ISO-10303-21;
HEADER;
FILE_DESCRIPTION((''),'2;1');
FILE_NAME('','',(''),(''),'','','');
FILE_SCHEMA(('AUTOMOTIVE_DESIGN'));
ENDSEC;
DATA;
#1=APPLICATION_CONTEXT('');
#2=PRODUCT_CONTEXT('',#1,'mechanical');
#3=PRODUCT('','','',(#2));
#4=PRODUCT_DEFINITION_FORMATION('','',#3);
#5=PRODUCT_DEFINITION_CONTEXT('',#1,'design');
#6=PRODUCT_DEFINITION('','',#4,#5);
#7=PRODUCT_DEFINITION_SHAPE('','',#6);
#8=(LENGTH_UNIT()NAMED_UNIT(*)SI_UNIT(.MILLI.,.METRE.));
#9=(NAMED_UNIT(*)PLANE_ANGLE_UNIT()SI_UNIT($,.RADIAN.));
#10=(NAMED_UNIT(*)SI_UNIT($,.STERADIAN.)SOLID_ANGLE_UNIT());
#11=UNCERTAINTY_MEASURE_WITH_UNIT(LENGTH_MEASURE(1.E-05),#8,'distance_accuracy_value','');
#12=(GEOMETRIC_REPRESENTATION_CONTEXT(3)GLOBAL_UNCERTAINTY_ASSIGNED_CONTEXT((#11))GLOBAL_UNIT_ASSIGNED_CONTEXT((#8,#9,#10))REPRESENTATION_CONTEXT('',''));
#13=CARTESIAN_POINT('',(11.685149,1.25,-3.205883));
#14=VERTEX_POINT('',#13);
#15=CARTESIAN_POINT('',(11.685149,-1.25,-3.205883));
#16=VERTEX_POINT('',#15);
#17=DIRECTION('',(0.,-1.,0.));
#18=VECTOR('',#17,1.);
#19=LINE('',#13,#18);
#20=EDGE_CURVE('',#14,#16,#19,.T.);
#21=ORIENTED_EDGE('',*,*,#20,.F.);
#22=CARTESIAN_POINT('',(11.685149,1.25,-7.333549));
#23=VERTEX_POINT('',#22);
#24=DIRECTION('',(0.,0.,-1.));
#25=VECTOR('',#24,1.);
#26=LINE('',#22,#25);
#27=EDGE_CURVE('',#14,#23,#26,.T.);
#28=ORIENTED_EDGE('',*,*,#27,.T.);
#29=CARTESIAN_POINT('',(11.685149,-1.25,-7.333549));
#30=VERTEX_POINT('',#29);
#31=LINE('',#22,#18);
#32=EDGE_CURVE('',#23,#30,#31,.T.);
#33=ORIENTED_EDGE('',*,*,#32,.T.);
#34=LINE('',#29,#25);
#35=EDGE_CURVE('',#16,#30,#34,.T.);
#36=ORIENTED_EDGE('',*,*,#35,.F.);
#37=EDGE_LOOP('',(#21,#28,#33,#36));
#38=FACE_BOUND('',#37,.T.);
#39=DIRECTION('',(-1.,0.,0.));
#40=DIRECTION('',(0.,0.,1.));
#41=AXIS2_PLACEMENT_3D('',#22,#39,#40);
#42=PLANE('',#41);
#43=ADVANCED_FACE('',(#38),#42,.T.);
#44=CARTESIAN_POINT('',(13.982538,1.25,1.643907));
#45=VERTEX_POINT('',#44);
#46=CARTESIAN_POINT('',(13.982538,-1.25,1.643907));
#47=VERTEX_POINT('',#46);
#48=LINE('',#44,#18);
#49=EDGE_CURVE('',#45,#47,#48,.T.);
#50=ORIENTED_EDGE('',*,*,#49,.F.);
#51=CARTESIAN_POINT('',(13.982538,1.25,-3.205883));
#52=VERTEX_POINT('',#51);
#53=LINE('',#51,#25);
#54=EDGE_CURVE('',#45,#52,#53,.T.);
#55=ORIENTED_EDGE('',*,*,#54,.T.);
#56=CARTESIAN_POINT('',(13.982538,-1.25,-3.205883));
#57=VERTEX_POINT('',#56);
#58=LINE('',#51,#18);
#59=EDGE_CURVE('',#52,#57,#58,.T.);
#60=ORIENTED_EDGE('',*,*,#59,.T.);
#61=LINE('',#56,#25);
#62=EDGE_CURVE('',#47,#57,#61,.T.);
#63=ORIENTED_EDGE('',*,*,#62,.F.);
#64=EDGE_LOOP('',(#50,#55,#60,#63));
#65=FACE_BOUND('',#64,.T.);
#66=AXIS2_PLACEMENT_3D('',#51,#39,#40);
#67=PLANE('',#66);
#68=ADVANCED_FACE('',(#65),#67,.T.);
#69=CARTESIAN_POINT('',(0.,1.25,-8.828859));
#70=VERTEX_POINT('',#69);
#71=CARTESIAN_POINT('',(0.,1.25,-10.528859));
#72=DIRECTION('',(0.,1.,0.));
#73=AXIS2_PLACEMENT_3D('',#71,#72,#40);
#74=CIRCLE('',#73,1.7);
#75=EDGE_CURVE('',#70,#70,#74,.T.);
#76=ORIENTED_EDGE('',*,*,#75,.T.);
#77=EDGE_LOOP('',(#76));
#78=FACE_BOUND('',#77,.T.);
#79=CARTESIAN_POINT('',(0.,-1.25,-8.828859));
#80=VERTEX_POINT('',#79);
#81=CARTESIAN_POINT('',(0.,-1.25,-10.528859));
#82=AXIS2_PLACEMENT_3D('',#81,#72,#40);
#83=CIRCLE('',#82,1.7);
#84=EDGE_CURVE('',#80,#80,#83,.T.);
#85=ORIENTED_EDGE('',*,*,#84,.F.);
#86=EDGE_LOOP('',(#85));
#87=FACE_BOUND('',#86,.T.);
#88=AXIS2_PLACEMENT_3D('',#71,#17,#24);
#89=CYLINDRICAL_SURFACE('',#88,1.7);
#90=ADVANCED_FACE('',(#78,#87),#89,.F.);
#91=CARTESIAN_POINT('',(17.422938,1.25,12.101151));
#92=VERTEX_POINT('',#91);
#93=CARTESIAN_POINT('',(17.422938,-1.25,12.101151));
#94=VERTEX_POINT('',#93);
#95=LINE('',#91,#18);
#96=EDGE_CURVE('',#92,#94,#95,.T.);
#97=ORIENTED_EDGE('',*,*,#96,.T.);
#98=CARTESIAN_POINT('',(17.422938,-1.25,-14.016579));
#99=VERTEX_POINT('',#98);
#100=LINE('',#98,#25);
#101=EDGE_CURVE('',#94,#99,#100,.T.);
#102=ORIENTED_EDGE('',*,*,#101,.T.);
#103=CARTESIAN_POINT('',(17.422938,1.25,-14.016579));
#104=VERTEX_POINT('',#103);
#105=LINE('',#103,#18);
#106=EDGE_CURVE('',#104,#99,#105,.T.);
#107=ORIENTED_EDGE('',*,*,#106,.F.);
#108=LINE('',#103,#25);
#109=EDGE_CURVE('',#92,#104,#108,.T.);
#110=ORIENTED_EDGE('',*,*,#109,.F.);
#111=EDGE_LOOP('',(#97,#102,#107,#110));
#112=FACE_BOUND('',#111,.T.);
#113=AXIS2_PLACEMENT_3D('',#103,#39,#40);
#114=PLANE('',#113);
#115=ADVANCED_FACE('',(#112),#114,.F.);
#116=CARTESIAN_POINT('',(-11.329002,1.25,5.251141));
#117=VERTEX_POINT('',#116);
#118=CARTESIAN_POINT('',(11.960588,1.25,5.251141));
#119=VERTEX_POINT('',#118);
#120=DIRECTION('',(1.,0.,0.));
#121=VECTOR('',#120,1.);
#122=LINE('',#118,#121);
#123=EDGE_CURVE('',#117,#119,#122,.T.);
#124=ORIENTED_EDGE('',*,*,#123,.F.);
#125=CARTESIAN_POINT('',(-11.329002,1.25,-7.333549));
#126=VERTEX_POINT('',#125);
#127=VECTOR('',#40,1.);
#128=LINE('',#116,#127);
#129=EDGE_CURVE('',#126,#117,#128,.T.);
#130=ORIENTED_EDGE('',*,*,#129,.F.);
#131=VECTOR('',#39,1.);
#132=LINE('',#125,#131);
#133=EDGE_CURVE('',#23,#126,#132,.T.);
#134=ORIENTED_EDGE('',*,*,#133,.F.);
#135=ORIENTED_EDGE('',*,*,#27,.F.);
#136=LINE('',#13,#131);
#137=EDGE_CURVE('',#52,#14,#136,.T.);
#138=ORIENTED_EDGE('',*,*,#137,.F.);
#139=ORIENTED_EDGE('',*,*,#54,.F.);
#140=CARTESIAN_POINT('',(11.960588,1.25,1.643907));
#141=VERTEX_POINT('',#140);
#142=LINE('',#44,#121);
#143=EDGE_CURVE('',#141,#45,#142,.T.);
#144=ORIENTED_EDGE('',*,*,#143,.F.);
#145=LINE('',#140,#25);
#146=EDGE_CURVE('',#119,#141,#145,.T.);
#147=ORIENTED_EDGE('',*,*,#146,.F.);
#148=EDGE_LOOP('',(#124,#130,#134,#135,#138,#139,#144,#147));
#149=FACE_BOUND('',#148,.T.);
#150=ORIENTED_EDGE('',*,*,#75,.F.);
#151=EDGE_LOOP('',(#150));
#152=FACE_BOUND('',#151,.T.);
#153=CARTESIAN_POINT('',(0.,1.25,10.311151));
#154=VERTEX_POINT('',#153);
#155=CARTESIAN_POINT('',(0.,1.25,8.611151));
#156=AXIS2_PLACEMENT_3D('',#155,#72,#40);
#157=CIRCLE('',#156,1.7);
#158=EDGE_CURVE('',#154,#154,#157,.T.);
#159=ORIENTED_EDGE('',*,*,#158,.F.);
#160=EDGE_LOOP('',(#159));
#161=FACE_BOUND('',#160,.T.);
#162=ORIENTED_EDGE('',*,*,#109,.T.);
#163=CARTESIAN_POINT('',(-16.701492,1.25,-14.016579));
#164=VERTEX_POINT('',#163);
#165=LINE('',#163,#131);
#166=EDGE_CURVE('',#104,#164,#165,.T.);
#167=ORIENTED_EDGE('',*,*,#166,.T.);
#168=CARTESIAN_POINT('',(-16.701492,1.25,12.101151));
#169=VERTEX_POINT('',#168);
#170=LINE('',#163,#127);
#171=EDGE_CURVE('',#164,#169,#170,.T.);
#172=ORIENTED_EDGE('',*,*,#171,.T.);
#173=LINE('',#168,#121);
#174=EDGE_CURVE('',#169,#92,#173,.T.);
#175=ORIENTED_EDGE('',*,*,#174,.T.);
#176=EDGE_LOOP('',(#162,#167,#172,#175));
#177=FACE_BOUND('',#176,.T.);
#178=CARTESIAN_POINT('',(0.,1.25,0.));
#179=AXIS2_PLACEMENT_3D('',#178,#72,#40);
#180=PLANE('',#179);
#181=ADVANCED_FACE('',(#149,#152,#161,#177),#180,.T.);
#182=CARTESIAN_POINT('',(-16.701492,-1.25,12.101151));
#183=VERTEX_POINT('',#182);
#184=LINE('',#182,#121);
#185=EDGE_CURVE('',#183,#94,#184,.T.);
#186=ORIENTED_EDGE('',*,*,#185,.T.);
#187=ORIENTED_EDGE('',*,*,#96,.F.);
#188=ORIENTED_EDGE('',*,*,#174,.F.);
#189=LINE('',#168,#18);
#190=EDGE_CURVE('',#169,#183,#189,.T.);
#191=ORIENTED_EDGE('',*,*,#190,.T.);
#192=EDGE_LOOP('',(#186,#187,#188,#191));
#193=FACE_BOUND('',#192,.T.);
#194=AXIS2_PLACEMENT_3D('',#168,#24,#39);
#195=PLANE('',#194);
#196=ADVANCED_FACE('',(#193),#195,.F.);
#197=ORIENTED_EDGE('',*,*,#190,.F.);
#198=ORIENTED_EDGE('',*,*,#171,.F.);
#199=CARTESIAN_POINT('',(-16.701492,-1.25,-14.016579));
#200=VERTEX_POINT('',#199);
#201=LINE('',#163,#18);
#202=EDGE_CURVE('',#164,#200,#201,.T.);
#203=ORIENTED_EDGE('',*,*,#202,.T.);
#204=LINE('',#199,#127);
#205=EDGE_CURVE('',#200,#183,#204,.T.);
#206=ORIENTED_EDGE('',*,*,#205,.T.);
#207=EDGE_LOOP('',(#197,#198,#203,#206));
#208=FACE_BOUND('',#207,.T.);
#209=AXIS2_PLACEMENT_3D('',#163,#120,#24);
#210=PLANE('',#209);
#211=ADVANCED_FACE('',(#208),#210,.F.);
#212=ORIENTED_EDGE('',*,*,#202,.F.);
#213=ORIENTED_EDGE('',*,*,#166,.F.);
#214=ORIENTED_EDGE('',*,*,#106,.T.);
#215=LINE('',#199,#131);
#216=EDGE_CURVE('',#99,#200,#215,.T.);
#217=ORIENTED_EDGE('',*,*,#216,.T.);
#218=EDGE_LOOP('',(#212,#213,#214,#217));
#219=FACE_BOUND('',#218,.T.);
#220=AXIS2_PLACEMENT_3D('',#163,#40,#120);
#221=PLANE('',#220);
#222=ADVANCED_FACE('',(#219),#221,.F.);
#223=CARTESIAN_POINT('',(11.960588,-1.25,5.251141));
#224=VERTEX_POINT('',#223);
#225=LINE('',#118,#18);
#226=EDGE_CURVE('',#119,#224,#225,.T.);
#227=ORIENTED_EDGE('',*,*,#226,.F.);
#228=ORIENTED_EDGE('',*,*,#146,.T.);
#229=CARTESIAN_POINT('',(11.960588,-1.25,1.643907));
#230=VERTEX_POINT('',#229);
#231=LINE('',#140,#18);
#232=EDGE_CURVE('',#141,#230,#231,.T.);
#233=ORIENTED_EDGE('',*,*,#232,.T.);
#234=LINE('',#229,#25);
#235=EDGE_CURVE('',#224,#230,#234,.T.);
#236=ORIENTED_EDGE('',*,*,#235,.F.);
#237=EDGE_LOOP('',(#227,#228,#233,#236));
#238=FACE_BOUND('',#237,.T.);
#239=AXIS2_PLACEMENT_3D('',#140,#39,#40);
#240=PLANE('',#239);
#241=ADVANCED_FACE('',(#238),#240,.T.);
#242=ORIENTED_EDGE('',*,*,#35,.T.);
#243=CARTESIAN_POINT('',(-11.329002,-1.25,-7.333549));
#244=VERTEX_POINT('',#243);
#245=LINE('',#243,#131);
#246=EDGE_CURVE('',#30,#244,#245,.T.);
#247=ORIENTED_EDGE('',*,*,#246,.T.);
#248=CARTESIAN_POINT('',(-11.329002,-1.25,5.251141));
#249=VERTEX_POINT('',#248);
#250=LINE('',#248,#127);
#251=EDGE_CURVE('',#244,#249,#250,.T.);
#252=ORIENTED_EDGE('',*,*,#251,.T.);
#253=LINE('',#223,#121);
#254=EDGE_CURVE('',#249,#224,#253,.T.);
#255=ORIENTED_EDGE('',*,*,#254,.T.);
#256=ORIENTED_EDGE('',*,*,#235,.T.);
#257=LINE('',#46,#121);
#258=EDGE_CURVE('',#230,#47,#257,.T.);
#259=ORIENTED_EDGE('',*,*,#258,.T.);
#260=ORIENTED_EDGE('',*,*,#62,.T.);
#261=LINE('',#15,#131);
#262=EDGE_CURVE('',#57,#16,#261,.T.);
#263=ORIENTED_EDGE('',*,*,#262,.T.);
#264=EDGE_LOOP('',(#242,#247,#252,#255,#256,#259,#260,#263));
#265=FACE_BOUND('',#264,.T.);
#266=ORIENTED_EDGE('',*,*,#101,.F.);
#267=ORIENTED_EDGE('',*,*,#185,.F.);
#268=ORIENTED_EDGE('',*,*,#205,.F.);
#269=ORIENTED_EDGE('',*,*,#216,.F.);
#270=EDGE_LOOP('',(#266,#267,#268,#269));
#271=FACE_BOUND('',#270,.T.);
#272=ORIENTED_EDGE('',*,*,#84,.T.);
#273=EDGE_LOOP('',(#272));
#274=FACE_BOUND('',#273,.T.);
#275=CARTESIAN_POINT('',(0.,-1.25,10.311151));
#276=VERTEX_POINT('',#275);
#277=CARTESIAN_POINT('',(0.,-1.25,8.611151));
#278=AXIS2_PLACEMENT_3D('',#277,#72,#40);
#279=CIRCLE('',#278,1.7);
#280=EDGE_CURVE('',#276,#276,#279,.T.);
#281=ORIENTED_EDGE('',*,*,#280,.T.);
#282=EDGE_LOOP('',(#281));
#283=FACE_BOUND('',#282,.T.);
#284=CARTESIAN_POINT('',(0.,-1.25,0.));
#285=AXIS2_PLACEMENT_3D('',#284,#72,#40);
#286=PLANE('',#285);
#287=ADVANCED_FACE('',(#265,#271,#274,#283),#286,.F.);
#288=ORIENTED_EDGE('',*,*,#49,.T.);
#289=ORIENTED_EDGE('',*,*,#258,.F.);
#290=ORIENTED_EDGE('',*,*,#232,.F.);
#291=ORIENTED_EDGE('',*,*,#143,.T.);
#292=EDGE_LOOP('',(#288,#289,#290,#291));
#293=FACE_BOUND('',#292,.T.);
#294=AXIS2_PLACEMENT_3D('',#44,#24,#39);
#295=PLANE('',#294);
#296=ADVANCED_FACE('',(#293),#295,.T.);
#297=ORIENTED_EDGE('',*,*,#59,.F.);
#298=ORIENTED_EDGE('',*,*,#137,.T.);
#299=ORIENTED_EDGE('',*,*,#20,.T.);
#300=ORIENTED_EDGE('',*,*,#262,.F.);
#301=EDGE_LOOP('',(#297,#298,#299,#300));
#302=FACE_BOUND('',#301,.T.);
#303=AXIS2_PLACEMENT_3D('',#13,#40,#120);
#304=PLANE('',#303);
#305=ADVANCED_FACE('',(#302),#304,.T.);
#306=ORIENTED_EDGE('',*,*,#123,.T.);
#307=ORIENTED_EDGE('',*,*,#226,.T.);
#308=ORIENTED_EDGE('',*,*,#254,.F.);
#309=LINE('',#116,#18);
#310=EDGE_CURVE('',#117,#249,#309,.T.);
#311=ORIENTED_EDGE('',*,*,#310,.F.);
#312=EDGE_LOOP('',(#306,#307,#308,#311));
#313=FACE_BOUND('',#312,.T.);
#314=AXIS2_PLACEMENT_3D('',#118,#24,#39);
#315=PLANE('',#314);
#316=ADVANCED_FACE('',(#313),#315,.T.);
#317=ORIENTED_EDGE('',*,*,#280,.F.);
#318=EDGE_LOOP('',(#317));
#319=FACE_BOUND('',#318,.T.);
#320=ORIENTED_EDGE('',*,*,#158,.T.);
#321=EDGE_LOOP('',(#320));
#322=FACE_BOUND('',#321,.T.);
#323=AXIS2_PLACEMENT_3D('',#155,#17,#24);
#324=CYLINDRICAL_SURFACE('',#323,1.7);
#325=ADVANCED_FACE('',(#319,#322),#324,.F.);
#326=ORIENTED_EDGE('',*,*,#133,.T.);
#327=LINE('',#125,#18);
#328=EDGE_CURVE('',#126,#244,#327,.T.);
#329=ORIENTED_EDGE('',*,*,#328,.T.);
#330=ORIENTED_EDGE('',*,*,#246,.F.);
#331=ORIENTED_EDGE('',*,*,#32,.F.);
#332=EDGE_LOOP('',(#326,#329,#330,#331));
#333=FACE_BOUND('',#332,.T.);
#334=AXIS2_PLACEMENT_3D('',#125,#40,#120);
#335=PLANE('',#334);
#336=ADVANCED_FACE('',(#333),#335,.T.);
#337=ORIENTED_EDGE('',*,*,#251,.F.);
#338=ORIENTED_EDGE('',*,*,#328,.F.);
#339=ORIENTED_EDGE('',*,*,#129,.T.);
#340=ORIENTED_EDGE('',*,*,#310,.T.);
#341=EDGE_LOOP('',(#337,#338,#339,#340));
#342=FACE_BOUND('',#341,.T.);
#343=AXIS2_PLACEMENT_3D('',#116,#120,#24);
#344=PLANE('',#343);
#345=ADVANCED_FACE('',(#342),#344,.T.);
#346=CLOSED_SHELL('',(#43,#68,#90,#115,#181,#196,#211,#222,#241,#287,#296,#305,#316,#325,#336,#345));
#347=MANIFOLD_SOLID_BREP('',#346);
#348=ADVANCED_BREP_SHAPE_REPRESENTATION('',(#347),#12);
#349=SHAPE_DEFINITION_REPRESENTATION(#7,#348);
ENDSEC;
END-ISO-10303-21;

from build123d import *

# Parameters (mm, degrees)
SKETCH2_W           = 34.12443
SKETCH2_H           = 26.11773
SKETCH2_R           = 1.7
BOSS_EXTRUDE1_DEPTH = 1.25


with BuildPart() as part:
    # Sketch2 → Boss-Extrude1 (new, symmetric)
    with BuildSketch(Plane(origin=(0, 0, 0), x_dir=(1, 0, 0), z_dir=(0, 1, 0))):
        with Locations((0.360723362, 0.957713985)):
            Rectangle(SKETCH2_W, SKETCH2_H)
        with Locations(Location((0, 10.528858985, 0), (0, 0, 270))):
            Circle(SKETCH2_R, mode=Mode.SUBTRACT)
        with Locations(Location((0, -8.611151015, 0), (0, 0, 270))):
            Circle(SKETCH2_R, mode=Mode.SUBTRACT)
        Polygon((-11.329001638, 7.333548985), (11.685148827, 7.333548985), (11.685148827, 3.2058826), (13.982538362, 3.2058826), (13.982538362, -1.6439074), (11.960588362, -1.6439074), (11.960588362, -5.251141015), (-11.329001638, -5.251141015), align=None, mode=Mode.SUBTRACT)
    extrude(amount=BOSS_EXTRUDE1_DEPTH, both=True)


solid = part.part
